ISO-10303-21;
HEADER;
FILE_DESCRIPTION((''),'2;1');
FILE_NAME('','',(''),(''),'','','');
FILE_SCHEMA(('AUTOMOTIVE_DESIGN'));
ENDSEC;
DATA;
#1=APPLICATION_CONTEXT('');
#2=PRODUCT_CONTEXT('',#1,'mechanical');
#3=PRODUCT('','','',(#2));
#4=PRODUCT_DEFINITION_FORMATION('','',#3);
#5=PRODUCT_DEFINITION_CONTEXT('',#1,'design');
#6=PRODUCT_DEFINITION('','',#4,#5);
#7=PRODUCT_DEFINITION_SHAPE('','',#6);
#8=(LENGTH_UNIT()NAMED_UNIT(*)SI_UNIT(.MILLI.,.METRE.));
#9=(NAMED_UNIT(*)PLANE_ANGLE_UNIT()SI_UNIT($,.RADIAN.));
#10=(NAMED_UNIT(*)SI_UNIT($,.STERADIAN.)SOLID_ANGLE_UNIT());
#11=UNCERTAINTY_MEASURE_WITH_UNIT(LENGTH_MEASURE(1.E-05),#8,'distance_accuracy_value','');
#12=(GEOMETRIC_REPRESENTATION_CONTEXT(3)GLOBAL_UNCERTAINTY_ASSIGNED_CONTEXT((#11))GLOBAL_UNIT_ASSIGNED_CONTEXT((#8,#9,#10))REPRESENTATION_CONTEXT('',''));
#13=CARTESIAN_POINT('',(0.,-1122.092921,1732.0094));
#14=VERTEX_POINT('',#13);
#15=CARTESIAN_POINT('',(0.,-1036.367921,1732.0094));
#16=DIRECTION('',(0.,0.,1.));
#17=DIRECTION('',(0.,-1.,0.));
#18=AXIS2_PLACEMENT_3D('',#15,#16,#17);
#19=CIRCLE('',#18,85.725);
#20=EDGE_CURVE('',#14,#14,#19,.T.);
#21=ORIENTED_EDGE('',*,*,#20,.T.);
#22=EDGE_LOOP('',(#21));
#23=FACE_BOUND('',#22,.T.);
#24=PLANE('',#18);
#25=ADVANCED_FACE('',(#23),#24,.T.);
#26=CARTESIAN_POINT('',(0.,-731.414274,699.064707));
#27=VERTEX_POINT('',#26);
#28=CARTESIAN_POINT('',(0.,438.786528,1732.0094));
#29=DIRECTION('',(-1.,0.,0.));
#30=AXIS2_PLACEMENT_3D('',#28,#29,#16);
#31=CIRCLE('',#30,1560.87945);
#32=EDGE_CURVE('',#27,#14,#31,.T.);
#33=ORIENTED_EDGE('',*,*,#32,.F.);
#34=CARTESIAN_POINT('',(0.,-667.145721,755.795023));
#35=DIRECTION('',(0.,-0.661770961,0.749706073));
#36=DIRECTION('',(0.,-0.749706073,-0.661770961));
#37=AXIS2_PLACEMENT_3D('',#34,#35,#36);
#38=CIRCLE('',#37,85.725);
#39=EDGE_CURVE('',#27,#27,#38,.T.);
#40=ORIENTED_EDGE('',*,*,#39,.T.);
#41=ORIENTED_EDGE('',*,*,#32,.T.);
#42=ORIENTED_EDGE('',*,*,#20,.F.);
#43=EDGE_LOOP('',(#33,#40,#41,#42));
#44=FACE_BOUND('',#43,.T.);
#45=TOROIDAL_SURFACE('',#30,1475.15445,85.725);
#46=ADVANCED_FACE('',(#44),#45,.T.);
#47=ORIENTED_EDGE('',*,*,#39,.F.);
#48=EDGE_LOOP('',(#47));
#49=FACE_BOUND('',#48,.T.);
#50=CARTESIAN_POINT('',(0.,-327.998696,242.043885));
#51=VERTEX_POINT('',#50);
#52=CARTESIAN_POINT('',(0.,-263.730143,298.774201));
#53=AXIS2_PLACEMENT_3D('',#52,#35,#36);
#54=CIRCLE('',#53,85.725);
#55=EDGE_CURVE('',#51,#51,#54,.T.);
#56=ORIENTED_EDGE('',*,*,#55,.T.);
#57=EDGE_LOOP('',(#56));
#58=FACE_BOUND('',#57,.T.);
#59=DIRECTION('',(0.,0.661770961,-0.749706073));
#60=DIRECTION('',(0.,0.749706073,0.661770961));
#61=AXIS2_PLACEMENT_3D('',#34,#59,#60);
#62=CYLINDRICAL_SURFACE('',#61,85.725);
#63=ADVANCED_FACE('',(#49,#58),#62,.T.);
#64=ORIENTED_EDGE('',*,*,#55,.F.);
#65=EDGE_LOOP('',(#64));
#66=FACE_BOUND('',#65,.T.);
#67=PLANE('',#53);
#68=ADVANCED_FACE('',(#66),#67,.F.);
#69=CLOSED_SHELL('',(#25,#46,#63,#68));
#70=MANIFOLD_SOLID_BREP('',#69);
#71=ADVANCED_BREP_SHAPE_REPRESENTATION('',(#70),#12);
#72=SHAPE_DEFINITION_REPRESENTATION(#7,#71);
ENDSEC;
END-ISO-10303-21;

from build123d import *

# Parameters (mm, degrees)
SKETCH2_R = 85.725


with BuildPart() as part:
    # Sweep1: sweep along a path in Sketch1
    with BuildLine(Plane(origin=(0, 0, 0), x_dir=(0, 0, -1), z_dir=(1, 0, 0))) as sweep1_path:
        Line((-298.774200825, -263.730143172), (-755.795022795, -667.145720816))
        ThreePointArc((-755.795022795, -667.145720816), (-1210.15703981, -940.978221258), (-1732.009400098, -1036.367921258))
    # Sketch2 → Sweep1 (sweep)
    with BuildSketch(Plane(origin=(0, -263.730143172, 298.774200825), x_dir=(1, 0, 0), z_dir=(0, -0.6617709607020791, 0.7497060727854933))):
        Circle(SKETCH2_R)
    sweep(path=sweep1_path.line)


solid = part.part
